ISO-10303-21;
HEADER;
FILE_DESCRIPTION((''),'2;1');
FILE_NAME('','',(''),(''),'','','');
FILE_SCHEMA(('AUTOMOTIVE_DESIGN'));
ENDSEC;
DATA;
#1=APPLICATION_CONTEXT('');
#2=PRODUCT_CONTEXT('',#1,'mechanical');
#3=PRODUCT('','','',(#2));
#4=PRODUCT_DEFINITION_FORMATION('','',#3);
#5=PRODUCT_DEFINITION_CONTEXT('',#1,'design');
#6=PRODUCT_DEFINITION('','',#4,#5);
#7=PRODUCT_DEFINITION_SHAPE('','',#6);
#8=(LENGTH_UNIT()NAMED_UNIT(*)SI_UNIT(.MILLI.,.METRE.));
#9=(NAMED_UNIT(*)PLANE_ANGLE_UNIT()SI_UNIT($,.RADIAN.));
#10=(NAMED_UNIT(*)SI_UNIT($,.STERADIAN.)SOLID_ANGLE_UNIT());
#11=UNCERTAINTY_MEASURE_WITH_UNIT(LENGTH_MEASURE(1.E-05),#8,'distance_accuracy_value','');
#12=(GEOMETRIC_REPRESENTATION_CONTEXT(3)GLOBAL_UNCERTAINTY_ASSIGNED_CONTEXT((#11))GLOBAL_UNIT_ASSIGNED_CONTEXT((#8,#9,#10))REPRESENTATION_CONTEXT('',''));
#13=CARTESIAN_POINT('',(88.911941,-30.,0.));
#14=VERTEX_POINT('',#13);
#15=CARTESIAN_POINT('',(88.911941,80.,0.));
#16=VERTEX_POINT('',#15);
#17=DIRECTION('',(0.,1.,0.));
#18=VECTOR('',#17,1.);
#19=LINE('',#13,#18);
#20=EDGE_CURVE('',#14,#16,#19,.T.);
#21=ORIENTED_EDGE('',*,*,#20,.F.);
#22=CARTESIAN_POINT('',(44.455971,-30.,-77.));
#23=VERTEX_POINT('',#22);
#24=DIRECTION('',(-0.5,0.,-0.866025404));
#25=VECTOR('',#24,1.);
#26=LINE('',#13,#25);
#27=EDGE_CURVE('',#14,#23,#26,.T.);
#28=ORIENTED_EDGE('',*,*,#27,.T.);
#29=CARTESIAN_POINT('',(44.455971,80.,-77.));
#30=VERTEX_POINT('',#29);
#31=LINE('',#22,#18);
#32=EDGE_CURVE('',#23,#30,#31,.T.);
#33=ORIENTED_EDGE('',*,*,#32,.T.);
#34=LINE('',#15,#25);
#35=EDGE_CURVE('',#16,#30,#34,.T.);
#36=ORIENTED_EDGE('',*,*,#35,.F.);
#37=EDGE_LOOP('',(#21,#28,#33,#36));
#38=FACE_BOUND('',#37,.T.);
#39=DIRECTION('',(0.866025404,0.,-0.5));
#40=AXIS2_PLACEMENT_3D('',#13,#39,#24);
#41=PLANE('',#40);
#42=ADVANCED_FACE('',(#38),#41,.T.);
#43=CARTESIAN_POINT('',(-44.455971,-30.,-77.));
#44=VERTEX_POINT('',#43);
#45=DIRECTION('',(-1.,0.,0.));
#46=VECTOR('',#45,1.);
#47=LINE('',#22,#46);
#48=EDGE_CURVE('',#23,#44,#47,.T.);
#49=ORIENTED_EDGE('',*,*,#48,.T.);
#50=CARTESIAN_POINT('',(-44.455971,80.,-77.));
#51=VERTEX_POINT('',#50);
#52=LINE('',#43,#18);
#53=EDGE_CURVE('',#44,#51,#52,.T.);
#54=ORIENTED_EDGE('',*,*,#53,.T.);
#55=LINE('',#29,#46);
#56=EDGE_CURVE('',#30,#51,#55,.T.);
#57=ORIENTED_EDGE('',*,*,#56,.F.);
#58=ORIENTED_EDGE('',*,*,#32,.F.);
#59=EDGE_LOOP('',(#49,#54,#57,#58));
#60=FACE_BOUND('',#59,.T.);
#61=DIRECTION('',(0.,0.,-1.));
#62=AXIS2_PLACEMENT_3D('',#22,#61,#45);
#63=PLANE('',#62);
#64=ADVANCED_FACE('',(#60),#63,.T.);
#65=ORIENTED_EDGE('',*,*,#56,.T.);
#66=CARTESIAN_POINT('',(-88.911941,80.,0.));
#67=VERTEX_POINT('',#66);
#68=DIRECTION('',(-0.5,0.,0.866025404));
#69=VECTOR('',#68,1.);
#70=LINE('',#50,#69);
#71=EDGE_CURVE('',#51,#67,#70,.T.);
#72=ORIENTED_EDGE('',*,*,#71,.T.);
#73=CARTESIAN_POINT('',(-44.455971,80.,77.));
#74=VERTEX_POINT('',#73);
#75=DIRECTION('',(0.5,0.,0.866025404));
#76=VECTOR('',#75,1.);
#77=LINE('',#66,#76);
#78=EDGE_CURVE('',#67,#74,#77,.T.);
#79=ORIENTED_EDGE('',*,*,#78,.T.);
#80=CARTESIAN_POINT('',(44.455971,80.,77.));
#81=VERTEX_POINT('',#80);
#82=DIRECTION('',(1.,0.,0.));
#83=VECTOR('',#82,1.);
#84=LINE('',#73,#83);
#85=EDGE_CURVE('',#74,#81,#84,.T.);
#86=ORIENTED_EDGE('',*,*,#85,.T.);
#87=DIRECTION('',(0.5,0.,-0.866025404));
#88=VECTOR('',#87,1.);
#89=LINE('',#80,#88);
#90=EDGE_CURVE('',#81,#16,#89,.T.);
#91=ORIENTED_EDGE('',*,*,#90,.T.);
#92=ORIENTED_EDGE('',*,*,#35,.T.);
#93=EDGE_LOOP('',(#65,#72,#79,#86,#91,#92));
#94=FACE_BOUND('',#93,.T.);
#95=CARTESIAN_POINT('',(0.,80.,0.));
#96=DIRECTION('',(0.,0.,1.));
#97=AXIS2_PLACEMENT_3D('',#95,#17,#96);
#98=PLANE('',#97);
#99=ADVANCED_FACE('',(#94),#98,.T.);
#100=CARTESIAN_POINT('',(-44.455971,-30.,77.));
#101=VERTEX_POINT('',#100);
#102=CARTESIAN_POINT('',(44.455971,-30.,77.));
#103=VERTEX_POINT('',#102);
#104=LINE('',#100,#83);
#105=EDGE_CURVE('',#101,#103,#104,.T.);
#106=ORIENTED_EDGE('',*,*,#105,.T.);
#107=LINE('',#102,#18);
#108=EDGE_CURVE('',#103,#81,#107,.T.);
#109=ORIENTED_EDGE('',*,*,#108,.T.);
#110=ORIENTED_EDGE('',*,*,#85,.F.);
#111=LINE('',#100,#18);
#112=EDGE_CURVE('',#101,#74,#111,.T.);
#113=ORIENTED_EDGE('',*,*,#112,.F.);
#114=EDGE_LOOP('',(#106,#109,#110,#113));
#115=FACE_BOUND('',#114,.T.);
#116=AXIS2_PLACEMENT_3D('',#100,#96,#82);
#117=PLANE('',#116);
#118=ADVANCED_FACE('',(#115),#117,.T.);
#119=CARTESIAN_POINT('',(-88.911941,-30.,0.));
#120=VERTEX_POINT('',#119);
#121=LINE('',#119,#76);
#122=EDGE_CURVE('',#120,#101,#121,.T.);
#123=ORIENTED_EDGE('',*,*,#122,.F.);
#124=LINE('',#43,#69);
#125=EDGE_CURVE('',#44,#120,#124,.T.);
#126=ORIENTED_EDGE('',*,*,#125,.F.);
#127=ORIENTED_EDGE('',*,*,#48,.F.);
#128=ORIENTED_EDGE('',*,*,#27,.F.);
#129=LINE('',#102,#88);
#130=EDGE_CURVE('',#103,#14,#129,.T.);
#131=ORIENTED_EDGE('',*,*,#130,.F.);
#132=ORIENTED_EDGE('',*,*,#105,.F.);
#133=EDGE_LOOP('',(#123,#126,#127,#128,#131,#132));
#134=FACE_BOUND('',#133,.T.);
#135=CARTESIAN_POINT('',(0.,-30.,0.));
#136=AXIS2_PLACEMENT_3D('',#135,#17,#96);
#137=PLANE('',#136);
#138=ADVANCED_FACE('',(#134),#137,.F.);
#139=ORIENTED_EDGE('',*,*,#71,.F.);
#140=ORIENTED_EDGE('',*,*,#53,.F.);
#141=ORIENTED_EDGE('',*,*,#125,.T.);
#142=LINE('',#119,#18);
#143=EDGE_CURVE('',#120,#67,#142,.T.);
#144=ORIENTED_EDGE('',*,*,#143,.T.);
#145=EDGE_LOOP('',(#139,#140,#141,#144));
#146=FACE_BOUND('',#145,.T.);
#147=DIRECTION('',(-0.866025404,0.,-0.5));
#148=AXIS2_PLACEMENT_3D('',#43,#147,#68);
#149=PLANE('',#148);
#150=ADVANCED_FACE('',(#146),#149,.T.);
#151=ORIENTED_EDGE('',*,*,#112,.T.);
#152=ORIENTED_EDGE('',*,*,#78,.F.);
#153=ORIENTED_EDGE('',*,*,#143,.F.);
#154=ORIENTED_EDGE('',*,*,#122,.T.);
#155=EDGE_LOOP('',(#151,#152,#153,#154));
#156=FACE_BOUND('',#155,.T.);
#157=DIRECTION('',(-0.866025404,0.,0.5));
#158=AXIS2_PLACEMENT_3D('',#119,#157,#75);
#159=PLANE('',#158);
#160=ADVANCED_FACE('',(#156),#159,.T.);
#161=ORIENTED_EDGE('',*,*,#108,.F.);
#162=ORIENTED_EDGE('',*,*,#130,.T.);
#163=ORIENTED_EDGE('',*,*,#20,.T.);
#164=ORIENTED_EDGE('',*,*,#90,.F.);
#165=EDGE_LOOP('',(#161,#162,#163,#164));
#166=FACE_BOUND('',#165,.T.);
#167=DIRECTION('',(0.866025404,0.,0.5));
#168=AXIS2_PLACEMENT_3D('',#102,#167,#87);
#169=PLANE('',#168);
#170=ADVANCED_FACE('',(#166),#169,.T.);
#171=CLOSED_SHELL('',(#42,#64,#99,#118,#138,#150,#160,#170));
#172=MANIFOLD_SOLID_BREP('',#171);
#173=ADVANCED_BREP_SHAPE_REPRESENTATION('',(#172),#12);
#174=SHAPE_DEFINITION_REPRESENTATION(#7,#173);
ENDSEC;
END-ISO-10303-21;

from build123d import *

# Parameters (mm, degrees)
EXTRUDE_1_DEPTH      = 80
EXTRUDE_1_DEPTH_BACK = 30


with BuildPart() as part:
    # 草图1 → 凸台-拉伸1 (new, two sides: drawn at the far end of the back side and taken through both)
    with BuildSketch(Plane(origin=(0, 0, 0), x_dir=(1, 0, 0), z_dir=(0, 1, 0)).offset(-EXTRUDE_1_DEPTH_BACK)):
        Polygon((88.911941455, 0), (44.455970728, 77), (-44.455970728, 77), (-88.911941455, 0), (-44.455970728, -77), (44.455970728, -77), align=None)
    extrude(amount=EXTRUDE_1_DEPTH + EXTRUDE_1_DEPTH_BACK)


solid = part.part
